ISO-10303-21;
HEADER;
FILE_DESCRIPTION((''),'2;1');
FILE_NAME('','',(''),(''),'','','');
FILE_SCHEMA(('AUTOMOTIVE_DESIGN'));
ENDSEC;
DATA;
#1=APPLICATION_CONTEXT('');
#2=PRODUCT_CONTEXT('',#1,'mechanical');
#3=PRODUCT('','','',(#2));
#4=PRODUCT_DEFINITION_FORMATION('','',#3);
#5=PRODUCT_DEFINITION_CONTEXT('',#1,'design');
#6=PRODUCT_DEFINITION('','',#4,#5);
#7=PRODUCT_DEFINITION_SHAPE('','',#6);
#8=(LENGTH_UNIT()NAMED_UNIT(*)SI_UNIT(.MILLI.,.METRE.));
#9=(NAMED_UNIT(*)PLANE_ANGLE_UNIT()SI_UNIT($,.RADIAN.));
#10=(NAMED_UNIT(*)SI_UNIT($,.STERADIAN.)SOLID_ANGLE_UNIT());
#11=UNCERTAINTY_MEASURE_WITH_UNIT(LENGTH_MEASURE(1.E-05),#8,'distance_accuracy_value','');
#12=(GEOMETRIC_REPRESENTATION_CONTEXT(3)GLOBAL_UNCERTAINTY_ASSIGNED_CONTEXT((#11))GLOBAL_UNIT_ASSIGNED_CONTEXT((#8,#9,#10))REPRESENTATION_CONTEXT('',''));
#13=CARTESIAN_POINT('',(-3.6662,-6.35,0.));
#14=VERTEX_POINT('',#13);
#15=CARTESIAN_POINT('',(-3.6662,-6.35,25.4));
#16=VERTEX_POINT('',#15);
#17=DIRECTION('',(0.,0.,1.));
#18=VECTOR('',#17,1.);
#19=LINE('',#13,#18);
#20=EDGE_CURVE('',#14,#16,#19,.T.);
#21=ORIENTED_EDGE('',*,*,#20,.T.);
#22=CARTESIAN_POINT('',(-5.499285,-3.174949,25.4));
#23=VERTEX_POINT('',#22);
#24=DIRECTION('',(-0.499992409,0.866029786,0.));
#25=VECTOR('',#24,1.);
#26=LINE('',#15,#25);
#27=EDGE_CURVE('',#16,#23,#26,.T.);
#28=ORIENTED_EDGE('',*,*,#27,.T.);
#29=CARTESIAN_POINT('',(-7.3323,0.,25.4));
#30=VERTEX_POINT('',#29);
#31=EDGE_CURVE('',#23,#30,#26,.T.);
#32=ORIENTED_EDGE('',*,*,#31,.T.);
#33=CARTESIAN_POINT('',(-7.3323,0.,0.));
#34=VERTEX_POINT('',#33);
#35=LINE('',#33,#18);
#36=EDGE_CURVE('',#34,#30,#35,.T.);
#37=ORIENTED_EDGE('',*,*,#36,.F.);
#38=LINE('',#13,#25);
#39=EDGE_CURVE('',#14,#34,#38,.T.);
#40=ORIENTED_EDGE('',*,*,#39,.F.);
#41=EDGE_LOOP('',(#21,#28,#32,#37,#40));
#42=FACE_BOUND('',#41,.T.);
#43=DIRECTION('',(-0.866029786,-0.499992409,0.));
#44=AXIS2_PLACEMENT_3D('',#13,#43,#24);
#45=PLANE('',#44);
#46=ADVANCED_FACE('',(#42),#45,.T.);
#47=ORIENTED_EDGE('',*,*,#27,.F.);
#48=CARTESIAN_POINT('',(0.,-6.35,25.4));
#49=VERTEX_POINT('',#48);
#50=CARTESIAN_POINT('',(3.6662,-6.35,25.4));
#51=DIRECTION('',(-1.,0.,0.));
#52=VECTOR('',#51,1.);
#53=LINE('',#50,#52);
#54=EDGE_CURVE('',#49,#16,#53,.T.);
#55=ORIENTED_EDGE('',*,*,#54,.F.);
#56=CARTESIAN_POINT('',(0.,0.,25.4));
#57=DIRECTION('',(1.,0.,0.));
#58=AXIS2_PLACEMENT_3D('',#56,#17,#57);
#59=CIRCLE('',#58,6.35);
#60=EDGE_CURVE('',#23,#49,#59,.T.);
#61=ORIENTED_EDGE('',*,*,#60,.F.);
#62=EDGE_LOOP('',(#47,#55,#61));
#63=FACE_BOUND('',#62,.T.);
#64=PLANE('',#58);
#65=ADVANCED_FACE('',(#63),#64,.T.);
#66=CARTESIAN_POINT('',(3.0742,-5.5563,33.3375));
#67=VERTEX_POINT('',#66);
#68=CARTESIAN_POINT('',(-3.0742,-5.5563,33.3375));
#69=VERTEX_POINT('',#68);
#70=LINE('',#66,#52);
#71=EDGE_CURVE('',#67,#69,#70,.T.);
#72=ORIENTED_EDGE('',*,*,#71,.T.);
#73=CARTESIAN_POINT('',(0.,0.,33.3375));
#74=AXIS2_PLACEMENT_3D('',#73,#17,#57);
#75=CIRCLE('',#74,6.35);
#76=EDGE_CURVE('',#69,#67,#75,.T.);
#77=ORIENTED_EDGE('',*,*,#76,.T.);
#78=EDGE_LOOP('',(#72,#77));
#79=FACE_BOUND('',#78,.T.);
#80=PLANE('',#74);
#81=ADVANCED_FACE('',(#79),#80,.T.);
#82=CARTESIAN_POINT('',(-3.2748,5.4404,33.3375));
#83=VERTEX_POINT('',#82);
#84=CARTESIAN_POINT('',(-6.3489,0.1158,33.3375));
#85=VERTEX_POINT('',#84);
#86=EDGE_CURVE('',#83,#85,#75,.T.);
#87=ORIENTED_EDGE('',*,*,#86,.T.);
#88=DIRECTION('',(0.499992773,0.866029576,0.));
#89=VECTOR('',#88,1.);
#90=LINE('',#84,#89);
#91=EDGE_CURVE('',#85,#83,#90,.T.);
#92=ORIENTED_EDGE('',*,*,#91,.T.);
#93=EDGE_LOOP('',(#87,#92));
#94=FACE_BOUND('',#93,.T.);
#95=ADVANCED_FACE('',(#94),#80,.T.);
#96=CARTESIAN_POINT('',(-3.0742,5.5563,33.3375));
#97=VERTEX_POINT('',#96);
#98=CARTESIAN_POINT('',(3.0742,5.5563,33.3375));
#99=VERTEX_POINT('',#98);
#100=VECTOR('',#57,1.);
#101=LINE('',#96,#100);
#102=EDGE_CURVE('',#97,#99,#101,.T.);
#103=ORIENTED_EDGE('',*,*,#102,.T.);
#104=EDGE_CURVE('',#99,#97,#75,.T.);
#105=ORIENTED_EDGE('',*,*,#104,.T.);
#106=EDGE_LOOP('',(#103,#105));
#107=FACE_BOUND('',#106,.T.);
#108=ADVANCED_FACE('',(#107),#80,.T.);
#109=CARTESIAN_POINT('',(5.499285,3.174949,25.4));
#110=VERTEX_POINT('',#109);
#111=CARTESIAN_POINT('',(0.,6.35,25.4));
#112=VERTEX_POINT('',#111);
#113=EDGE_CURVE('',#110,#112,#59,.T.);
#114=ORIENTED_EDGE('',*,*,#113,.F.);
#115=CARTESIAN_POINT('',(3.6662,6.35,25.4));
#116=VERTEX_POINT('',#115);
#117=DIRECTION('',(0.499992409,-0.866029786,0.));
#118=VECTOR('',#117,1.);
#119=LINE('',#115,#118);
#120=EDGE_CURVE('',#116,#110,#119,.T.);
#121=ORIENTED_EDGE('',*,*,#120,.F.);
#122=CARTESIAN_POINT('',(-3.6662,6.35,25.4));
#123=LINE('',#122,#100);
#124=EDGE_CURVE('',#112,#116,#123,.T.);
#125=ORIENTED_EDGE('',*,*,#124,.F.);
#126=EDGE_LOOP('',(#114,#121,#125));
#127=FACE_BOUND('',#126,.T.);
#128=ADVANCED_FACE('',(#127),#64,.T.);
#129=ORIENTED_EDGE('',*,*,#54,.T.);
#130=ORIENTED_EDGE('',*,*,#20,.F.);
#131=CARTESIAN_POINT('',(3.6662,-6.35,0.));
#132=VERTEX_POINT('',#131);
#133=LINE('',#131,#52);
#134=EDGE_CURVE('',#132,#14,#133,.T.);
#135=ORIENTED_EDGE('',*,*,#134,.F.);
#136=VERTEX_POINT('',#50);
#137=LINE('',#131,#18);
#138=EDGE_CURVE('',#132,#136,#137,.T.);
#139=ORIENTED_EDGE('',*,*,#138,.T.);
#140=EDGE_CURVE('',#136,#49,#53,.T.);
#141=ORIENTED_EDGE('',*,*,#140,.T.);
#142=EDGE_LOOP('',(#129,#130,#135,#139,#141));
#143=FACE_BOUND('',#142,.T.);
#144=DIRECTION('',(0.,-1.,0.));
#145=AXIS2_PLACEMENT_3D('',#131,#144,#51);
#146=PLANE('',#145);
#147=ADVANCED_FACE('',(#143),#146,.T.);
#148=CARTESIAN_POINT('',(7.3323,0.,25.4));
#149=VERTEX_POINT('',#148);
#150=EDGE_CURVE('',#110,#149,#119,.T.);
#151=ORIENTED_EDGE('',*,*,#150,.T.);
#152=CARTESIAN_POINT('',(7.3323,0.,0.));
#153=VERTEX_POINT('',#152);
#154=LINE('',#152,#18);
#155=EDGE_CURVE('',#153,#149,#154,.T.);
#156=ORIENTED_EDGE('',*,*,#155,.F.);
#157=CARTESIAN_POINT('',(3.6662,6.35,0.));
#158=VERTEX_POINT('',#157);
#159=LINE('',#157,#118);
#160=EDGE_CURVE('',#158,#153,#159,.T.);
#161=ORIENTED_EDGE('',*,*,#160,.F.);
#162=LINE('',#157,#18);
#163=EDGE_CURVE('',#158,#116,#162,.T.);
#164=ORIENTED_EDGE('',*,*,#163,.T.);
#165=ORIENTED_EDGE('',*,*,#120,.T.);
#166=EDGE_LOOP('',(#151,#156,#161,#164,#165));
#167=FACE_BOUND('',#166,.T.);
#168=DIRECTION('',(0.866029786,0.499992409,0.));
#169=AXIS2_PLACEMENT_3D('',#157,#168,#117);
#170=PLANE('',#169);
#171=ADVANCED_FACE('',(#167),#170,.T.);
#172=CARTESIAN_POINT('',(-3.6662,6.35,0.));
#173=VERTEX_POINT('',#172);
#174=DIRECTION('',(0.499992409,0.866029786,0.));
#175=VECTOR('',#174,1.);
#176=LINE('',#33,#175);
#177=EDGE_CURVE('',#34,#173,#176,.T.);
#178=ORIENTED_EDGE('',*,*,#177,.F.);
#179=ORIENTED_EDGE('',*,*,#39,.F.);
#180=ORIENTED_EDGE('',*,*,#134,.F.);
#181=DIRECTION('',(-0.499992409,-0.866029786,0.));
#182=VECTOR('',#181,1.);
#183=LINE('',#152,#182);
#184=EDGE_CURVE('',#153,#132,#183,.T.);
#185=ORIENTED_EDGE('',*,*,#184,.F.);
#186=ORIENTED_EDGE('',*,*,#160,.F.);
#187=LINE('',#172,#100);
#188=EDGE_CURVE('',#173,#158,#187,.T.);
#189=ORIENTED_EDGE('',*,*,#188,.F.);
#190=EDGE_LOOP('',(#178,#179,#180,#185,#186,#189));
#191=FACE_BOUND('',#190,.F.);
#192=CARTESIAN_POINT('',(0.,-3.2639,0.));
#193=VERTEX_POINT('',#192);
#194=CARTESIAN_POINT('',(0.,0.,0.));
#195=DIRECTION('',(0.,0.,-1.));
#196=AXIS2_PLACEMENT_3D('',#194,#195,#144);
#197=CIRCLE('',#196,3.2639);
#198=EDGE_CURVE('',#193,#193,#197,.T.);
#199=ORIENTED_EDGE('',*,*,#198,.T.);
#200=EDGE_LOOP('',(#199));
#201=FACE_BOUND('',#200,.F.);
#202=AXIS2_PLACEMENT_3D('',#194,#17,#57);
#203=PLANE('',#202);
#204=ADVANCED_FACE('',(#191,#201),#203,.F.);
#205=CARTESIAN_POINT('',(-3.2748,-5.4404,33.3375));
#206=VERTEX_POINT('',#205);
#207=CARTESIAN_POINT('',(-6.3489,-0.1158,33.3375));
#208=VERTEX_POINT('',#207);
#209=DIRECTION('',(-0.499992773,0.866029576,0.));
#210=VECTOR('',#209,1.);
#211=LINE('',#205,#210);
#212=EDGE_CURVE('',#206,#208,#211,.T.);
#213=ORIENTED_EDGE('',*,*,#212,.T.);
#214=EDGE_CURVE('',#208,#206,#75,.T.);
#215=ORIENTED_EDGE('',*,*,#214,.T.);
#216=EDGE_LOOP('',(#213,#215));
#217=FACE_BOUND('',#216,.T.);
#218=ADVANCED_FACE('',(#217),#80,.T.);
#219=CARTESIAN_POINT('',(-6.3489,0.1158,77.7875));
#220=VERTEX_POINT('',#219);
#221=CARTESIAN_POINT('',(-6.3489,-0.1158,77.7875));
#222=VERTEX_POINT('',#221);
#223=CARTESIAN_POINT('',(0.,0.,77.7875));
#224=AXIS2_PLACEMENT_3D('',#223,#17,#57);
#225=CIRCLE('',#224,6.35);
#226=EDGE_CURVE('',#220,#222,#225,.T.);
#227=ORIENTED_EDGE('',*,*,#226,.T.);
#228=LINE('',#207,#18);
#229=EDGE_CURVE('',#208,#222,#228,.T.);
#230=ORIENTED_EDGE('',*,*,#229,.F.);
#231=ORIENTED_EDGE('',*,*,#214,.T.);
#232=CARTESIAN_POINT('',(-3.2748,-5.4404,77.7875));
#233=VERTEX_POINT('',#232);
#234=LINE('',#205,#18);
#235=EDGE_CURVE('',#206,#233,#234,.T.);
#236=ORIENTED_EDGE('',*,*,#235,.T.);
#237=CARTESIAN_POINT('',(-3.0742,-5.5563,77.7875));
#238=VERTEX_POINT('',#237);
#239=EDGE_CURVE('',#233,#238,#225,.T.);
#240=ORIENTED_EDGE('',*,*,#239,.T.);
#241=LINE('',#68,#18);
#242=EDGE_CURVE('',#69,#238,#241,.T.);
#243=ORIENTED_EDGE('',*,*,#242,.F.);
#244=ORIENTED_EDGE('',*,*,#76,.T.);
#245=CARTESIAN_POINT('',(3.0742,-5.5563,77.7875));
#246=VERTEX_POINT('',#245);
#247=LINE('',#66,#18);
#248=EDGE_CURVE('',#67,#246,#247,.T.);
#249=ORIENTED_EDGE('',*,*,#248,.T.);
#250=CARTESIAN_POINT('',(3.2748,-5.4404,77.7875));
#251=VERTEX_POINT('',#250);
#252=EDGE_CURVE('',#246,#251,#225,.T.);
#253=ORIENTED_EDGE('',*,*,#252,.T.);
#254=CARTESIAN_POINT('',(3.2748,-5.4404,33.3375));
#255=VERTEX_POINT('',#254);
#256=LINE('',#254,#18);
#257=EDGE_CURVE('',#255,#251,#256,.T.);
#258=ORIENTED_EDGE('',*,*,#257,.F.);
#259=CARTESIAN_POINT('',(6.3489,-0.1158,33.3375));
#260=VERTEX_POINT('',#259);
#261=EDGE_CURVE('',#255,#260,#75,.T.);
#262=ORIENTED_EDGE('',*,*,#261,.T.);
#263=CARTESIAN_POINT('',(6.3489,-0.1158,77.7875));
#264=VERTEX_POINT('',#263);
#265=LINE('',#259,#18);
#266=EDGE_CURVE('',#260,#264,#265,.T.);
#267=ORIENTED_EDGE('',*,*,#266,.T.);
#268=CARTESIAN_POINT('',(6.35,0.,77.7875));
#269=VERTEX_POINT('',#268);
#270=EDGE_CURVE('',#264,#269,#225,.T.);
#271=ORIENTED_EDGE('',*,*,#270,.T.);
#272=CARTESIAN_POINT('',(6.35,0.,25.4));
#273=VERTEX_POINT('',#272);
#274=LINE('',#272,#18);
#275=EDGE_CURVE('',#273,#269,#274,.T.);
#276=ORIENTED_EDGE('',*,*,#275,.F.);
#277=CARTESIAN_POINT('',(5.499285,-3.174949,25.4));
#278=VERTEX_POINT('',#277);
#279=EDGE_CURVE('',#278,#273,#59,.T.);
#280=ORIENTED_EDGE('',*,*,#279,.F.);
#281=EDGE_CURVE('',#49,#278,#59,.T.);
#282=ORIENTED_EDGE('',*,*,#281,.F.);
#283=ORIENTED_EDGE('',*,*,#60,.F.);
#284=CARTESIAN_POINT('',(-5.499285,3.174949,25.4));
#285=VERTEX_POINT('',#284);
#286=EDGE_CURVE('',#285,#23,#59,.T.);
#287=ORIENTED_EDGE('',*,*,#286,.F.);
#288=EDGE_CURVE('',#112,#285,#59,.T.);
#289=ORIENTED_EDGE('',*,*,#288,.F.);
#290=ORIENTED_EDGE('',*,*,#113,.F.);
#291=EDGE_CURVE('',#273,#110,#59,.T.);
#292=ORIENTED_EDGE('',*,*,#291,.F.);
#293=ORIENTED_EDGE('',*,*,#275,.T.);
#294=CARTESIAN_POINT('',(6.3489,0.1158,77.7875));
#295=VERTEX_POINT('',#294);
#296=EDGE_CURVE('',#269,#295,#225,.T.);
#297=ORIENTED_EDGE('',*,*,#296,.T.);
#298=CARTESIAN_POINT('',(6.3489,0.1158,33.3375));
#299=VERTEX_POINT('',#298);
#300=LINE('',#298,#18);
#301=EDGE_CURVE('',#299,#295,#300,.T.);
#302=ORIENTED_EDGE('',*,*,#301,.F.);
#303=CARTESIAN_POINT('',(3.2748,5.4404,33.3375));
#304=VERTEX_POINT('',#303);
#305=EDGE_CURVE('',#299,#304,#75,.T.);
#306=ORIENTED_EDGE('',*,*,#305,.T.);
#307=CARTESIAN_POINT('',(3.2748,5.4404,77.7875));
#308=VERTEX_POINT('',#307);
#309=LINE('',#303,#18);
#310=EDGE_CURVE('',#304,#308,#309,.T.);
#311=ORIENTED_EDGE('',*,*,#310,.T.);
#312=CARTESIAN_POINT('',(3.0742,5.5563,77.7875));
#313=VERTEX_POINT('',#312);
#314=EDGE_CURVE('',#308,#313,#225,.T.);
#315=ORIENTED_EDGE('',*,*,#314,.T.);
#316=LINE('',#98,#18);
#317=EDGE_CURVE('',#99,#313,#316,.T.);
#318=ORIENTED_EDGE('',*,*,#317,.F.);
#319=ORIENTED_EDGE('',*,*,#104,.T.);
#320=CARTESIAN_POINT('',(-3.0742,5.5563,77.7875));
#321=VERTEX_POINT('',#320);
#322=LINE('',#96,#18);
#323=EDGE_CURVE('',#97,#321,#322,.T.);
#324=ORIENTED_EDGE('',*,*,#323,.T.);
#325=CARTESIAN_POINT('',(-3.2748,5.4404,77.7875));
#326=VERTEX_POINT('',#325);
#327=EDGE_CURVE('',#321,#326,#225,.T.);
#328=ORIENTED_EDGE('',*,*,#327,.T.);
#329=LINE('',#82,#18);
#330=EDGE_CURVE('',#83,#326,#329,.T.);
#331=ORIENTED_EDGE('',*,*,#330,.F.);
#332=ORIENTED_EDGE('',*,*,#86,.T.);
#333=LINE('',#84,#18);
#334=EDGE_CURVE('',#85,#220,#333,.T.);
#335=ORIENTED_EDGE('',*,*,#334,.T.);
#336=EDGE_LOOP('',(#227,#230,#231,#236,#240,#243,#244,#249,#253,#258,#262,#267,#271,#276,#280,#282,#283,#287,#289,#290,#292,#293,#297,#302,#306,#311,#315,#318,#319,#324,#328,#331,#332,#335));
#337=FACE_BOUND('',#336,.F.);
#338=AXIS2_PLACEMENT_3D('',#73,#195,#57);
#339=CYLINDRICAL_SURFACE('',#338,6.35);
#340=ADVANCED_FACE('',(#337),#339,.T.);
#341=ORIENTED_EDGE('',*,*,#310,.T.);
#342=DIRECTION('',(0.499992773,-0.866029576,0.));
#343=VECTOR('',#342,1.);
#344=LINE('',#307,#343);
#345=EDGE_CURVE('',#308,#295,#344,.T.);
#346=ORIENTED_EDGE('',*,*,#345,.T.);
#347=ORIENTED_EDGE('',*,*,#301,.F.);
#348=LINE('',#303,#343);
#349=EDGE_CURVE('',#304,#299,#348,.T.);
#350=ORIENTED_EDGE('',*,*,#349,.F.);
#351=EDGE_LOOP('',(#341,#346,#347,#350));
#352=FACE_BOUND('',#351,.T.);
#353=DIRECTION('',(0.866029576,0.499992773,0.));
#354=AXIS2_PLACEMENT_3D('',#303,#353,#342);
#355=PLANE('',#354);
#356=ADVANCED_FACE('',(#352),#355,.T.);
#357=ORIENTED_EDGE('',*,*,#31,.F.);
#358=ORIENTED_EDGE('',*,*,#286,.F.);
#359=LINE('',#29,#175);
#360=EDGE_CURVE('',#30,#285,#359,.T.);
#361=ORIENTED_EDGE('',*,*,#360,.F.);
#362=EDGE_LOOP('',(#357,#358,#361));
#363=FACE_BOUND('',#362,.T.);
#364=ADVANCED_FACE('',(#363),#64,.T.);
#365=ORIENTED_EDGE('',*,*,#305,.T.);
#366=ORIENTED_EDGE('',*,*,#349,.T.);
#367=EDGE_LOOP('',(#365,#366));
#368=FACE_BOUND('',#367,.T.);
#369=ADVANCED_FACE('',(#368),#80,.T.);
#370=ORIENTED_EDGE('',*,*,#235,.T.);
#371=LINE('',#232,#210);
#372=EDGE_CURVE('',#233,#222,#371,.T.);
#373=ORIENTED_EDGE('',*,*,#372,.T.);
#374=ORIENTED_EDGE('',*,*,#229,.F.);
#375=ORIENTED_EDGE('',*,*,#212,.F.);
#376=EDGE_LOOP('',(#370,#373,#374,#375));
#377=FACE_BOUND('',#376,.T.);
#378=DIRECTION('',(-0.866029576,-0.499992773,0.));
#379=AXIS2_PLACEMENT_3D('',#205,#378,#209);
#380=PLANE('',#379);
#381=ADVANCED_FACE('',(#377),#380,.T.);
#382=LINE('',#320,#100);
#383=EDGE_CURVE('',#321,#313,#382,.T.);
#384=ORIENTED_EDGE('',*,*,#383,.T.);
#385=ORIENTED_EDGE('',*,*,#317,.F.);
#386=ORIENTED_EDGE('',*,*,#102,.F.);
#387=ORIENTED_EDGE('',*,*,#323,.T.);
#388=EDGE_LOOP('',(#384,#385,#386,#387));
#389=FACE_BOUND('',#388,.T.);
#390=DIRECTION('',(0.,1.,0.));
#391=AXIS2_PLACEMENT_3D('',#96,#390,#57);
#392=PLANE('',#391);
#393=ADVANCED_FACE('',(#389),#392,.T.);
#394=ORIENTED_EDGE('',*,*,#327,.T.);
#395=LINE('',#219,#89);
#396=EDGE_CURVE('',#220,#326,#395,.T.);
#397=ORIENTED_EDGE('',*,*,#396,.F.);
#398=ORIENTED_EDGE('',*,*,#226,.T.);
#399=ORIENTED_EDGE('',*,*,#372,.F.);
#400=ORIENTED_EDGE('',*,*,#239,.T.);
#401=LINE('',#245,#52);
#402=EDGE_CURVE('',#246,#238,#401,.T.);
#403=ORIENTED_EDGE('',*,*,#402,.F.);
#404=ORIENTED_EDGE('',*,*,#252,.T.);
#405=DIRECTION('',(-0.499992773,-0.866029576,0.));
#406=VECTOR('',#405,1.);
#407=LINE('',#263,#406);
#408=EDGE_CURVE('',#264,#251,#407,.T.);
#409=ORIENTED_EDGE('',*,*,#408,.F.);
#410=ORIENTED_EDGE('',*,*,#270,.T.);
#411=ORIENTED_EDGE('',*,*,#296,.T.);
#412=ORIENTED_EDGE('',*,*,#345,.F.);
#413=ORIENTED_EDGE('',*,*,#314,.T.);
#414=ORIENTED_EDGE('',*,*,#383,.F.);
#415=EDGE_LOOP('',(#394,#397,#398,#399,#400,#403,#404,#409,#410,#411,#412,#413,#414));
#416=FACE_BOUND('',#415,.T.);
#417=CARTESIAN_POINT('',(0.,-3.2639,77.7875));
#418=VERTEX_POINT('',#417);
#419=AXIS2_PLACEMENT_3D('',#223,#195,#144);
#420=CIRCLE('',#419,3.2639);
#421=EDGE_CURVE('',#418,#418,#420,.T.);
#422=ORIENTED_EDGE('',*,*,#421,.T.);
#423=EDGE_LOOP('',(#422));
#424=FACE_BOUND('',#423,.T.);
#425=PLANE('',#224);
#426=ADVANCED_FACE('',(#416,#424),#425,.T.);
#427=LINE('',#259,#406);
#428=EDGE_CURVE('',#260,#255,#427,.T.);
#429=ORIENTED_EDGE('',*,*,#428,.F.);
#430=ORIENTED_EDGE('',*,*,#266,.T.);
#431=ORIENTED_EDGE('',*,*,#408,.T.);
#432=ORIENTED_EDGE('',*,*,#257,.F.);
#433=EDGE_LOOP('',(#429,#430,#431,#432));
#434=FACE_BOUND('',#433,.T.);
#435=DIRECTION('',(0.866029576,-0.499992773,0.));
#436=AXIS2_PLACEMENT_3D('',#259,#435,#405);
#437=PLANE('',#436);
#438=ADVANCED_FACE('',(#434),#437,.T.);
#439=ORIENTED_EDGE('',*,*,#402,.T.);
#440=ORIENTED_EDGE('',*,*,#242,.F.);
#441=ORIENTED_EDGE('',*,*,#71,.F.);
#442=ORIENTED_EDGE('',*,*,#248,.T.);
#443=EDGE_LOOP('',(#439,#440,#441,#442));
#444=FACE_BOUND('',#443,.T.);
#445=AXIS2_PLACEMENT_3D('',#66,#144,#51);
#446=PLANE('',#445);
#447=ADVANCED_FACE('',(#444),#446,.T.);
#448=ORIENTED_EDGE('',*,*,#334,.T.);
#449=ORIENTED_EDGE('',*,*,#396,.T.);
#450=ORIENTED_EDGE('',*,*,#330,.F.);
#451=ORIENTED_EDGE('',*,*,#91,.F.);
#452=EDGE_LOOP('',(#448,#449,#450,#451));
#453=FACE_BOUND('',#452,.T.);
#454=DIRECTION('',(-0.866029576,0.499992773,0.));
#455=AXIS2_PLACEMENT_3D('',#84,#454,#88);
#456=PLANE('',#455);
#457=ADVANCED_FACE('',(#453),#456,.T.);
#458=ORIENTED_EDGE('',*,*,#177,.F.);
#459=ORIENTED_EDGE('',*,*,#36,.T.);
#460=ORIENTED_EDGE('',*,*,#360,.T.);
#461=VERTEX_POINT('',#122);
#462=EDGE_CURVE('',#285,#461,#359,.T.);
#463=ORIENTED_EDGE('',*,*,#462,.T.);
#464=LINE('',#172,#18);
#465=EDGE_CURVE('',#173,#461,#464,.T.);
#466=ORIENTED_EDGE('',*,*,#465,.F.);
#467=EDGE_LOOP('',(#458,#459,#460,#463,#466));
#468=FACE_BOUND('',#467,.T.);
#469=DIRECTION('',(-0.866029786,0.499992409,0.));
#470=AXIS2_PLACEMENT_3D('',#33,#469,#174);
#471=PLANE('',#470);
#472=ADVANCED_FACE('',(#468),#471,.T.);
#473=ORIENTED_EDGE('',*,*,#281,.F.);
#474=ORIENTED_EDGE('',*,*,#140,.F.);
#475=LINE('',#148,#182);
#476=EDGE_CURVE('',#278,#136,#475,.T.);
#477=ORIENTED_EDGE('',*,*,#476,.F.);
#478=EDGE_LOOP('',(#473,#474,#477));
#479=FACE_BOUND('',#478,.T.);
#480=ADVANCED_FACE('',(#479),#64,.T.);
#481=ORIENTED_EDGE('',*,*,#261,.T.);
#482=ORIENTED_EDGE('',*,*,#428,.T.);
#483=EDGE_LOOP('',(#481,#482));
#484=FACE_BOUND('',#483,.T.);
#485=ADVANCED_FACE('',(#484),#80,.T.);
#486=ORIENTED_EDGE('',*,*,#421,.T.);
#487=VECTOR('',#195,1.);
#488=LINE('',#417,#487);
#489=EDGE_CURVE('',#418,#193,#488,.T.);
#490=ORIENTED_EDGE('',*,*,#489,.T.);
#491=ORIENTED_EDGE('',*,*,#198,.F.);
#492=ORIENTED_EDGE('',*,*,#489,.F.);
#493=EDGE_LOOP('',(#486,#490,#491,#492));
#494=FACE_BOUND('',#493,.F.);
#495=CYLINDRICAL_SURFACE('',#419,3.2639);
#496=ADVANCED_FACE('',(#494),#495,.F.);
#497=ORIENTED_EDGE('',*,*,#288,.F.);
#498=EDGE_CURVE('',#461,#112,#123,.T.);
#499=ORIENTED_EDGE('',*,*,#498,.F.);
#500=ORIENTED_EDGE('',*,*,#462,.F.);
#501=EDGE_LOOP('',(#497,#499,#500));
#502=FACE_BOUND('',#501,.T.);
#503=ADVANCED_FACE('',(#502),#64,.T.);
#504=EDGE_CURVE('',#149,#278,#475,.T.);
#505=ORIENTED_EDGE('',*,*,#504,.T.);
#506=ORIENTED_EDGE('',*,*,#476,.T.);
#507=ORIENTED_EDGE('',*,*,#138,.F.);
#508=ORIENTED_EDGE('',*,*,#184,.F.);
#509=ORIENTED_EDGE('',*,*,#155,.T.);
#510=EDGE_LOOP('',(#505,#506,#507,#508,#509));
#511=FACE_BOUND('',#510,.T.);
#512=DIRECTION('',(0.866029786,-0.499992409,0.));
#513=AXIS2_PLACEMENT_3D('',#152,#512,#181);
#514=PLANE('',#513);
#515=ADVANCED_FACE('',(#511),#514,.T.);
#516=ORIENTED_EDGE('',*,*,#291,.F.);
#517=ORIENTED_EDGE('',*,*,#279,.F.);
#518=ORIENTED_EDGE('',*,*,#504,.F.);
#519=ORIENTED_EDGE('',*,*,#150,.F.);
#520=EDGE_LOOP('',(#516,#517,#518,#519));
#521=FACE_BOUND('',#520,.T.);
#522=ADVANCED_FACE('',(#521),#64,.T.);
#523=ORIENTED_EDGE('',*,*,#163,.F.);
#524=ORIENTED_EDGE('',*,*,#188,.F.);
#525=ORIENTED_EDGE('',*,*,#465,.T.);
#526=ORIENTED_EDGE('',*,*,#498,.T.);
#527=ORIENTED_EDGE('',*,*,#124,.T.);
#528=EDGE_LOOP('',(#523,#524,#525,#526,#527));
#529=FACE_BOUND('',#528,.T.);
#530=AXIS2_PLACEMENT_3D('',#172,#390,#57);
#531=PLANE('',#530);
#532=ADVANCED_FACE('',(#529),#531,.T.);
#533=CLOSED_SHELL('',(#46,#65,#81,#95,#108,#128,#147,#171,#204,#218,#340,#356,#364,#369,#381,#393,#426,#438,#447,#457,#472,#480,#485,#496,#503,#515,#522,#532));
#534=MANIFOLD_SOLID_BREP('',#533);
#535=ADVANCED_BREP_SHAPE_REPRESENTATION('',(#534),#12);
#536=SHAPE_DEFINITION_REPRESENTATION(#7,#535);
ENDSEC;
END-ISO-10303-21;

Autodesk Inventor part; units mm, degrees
ref_plane "YZ Plane" through (0, 0, 0) normal (1, 0, 0) x (0, 1, 0)
ref_plane "XZ Plane" through (0, 0, 0) normal (0, 1, 0) x (-1, 0, 0)
ref_plane "XY Plane" through (0, 0, 0) normal (0, 0, 1) x (1, 0, 0)
sketch "Sketch1" plane through (0, 0, 0) normal (0, 0, 1) x (1, 0, 0)
  line L0 (-7.3323, 0) -> (-3.6662, 6.35)
  line L1 (-3.6662, 6.35) -> (3.6662, 6.35)
  line L2 (3.6662, 6.35) -> (7.3323, 0)
  line L3 (7.3323, 0) -> (3.6662, -6.35)
  line L4 (3.6662, -6.35) -> (-3.6662, -6.35)
  line L5 (-3.6662, -6.35) -> (-7.3323, 0)
  point P0 (0, 0)
  point P1 (0, 0)
  dimension "d0" = 12.7
extrude "Pulley 1/2\" Hex" add sketch "Sketch1" along normal blind 25.4
sketch "Sketch2" plane through (0, 0, 25.4) normal (0, 0, 1) x (1, 0, 0)
  circle A0 centre (0, 0) radius 6.35
extrude "External 1/2\" Round" add sketch "Sketch2" along normal blind 7.9375
sketch "Sketch3" plane through (0, 0, 33.3375) normal (0, 0, 1) x (1, 0, 0)
  circle A0 centre (0, 0) radius 6.35 projected
  line L0 (3.2748, 5.4404) -> (6.3489, 0.1158)
  line L1 (6.3489, -0.1158) -> (3.2748, -5.4404)
  line L2 (3.0742, -5.5563) -> (-3.0742, -5.5563)
  line L3 (-3.2748, -5.4404) -> (-6.3489, -0.1158)
  line L4 (-6.3489, 0.1158) -> (-3.2748, 5.4404)
  line L5 (-3.0742, 5.5563) -> (3.0742, 5.5563)
  dimension "d5" = 11.1125
extrude "Wheel 7/16\" Hex" add sketch "Sketch3" along normal blind 44.45 contours A0 L1 L2 L3 L4 L5 L0
sketch "Sketch4" plane through (0, 0, 77.7875) normal (0, 0, 1) x (1, 0, 0)
  arc A0 (-3.2748, -5.4404) -> (-3.0742, -5.5563) centre (0, 0) ccw projected
hole "Hole1" at (0, 0, 77.7875) direction (0, 0, -1) diameter 6.5278 end through all clearance for "Socket Head Cap Screw" size "1/4" standard "Ansi Unified Screw Threads"
properties part number "Center Axle" material "Aluminum 7075"
